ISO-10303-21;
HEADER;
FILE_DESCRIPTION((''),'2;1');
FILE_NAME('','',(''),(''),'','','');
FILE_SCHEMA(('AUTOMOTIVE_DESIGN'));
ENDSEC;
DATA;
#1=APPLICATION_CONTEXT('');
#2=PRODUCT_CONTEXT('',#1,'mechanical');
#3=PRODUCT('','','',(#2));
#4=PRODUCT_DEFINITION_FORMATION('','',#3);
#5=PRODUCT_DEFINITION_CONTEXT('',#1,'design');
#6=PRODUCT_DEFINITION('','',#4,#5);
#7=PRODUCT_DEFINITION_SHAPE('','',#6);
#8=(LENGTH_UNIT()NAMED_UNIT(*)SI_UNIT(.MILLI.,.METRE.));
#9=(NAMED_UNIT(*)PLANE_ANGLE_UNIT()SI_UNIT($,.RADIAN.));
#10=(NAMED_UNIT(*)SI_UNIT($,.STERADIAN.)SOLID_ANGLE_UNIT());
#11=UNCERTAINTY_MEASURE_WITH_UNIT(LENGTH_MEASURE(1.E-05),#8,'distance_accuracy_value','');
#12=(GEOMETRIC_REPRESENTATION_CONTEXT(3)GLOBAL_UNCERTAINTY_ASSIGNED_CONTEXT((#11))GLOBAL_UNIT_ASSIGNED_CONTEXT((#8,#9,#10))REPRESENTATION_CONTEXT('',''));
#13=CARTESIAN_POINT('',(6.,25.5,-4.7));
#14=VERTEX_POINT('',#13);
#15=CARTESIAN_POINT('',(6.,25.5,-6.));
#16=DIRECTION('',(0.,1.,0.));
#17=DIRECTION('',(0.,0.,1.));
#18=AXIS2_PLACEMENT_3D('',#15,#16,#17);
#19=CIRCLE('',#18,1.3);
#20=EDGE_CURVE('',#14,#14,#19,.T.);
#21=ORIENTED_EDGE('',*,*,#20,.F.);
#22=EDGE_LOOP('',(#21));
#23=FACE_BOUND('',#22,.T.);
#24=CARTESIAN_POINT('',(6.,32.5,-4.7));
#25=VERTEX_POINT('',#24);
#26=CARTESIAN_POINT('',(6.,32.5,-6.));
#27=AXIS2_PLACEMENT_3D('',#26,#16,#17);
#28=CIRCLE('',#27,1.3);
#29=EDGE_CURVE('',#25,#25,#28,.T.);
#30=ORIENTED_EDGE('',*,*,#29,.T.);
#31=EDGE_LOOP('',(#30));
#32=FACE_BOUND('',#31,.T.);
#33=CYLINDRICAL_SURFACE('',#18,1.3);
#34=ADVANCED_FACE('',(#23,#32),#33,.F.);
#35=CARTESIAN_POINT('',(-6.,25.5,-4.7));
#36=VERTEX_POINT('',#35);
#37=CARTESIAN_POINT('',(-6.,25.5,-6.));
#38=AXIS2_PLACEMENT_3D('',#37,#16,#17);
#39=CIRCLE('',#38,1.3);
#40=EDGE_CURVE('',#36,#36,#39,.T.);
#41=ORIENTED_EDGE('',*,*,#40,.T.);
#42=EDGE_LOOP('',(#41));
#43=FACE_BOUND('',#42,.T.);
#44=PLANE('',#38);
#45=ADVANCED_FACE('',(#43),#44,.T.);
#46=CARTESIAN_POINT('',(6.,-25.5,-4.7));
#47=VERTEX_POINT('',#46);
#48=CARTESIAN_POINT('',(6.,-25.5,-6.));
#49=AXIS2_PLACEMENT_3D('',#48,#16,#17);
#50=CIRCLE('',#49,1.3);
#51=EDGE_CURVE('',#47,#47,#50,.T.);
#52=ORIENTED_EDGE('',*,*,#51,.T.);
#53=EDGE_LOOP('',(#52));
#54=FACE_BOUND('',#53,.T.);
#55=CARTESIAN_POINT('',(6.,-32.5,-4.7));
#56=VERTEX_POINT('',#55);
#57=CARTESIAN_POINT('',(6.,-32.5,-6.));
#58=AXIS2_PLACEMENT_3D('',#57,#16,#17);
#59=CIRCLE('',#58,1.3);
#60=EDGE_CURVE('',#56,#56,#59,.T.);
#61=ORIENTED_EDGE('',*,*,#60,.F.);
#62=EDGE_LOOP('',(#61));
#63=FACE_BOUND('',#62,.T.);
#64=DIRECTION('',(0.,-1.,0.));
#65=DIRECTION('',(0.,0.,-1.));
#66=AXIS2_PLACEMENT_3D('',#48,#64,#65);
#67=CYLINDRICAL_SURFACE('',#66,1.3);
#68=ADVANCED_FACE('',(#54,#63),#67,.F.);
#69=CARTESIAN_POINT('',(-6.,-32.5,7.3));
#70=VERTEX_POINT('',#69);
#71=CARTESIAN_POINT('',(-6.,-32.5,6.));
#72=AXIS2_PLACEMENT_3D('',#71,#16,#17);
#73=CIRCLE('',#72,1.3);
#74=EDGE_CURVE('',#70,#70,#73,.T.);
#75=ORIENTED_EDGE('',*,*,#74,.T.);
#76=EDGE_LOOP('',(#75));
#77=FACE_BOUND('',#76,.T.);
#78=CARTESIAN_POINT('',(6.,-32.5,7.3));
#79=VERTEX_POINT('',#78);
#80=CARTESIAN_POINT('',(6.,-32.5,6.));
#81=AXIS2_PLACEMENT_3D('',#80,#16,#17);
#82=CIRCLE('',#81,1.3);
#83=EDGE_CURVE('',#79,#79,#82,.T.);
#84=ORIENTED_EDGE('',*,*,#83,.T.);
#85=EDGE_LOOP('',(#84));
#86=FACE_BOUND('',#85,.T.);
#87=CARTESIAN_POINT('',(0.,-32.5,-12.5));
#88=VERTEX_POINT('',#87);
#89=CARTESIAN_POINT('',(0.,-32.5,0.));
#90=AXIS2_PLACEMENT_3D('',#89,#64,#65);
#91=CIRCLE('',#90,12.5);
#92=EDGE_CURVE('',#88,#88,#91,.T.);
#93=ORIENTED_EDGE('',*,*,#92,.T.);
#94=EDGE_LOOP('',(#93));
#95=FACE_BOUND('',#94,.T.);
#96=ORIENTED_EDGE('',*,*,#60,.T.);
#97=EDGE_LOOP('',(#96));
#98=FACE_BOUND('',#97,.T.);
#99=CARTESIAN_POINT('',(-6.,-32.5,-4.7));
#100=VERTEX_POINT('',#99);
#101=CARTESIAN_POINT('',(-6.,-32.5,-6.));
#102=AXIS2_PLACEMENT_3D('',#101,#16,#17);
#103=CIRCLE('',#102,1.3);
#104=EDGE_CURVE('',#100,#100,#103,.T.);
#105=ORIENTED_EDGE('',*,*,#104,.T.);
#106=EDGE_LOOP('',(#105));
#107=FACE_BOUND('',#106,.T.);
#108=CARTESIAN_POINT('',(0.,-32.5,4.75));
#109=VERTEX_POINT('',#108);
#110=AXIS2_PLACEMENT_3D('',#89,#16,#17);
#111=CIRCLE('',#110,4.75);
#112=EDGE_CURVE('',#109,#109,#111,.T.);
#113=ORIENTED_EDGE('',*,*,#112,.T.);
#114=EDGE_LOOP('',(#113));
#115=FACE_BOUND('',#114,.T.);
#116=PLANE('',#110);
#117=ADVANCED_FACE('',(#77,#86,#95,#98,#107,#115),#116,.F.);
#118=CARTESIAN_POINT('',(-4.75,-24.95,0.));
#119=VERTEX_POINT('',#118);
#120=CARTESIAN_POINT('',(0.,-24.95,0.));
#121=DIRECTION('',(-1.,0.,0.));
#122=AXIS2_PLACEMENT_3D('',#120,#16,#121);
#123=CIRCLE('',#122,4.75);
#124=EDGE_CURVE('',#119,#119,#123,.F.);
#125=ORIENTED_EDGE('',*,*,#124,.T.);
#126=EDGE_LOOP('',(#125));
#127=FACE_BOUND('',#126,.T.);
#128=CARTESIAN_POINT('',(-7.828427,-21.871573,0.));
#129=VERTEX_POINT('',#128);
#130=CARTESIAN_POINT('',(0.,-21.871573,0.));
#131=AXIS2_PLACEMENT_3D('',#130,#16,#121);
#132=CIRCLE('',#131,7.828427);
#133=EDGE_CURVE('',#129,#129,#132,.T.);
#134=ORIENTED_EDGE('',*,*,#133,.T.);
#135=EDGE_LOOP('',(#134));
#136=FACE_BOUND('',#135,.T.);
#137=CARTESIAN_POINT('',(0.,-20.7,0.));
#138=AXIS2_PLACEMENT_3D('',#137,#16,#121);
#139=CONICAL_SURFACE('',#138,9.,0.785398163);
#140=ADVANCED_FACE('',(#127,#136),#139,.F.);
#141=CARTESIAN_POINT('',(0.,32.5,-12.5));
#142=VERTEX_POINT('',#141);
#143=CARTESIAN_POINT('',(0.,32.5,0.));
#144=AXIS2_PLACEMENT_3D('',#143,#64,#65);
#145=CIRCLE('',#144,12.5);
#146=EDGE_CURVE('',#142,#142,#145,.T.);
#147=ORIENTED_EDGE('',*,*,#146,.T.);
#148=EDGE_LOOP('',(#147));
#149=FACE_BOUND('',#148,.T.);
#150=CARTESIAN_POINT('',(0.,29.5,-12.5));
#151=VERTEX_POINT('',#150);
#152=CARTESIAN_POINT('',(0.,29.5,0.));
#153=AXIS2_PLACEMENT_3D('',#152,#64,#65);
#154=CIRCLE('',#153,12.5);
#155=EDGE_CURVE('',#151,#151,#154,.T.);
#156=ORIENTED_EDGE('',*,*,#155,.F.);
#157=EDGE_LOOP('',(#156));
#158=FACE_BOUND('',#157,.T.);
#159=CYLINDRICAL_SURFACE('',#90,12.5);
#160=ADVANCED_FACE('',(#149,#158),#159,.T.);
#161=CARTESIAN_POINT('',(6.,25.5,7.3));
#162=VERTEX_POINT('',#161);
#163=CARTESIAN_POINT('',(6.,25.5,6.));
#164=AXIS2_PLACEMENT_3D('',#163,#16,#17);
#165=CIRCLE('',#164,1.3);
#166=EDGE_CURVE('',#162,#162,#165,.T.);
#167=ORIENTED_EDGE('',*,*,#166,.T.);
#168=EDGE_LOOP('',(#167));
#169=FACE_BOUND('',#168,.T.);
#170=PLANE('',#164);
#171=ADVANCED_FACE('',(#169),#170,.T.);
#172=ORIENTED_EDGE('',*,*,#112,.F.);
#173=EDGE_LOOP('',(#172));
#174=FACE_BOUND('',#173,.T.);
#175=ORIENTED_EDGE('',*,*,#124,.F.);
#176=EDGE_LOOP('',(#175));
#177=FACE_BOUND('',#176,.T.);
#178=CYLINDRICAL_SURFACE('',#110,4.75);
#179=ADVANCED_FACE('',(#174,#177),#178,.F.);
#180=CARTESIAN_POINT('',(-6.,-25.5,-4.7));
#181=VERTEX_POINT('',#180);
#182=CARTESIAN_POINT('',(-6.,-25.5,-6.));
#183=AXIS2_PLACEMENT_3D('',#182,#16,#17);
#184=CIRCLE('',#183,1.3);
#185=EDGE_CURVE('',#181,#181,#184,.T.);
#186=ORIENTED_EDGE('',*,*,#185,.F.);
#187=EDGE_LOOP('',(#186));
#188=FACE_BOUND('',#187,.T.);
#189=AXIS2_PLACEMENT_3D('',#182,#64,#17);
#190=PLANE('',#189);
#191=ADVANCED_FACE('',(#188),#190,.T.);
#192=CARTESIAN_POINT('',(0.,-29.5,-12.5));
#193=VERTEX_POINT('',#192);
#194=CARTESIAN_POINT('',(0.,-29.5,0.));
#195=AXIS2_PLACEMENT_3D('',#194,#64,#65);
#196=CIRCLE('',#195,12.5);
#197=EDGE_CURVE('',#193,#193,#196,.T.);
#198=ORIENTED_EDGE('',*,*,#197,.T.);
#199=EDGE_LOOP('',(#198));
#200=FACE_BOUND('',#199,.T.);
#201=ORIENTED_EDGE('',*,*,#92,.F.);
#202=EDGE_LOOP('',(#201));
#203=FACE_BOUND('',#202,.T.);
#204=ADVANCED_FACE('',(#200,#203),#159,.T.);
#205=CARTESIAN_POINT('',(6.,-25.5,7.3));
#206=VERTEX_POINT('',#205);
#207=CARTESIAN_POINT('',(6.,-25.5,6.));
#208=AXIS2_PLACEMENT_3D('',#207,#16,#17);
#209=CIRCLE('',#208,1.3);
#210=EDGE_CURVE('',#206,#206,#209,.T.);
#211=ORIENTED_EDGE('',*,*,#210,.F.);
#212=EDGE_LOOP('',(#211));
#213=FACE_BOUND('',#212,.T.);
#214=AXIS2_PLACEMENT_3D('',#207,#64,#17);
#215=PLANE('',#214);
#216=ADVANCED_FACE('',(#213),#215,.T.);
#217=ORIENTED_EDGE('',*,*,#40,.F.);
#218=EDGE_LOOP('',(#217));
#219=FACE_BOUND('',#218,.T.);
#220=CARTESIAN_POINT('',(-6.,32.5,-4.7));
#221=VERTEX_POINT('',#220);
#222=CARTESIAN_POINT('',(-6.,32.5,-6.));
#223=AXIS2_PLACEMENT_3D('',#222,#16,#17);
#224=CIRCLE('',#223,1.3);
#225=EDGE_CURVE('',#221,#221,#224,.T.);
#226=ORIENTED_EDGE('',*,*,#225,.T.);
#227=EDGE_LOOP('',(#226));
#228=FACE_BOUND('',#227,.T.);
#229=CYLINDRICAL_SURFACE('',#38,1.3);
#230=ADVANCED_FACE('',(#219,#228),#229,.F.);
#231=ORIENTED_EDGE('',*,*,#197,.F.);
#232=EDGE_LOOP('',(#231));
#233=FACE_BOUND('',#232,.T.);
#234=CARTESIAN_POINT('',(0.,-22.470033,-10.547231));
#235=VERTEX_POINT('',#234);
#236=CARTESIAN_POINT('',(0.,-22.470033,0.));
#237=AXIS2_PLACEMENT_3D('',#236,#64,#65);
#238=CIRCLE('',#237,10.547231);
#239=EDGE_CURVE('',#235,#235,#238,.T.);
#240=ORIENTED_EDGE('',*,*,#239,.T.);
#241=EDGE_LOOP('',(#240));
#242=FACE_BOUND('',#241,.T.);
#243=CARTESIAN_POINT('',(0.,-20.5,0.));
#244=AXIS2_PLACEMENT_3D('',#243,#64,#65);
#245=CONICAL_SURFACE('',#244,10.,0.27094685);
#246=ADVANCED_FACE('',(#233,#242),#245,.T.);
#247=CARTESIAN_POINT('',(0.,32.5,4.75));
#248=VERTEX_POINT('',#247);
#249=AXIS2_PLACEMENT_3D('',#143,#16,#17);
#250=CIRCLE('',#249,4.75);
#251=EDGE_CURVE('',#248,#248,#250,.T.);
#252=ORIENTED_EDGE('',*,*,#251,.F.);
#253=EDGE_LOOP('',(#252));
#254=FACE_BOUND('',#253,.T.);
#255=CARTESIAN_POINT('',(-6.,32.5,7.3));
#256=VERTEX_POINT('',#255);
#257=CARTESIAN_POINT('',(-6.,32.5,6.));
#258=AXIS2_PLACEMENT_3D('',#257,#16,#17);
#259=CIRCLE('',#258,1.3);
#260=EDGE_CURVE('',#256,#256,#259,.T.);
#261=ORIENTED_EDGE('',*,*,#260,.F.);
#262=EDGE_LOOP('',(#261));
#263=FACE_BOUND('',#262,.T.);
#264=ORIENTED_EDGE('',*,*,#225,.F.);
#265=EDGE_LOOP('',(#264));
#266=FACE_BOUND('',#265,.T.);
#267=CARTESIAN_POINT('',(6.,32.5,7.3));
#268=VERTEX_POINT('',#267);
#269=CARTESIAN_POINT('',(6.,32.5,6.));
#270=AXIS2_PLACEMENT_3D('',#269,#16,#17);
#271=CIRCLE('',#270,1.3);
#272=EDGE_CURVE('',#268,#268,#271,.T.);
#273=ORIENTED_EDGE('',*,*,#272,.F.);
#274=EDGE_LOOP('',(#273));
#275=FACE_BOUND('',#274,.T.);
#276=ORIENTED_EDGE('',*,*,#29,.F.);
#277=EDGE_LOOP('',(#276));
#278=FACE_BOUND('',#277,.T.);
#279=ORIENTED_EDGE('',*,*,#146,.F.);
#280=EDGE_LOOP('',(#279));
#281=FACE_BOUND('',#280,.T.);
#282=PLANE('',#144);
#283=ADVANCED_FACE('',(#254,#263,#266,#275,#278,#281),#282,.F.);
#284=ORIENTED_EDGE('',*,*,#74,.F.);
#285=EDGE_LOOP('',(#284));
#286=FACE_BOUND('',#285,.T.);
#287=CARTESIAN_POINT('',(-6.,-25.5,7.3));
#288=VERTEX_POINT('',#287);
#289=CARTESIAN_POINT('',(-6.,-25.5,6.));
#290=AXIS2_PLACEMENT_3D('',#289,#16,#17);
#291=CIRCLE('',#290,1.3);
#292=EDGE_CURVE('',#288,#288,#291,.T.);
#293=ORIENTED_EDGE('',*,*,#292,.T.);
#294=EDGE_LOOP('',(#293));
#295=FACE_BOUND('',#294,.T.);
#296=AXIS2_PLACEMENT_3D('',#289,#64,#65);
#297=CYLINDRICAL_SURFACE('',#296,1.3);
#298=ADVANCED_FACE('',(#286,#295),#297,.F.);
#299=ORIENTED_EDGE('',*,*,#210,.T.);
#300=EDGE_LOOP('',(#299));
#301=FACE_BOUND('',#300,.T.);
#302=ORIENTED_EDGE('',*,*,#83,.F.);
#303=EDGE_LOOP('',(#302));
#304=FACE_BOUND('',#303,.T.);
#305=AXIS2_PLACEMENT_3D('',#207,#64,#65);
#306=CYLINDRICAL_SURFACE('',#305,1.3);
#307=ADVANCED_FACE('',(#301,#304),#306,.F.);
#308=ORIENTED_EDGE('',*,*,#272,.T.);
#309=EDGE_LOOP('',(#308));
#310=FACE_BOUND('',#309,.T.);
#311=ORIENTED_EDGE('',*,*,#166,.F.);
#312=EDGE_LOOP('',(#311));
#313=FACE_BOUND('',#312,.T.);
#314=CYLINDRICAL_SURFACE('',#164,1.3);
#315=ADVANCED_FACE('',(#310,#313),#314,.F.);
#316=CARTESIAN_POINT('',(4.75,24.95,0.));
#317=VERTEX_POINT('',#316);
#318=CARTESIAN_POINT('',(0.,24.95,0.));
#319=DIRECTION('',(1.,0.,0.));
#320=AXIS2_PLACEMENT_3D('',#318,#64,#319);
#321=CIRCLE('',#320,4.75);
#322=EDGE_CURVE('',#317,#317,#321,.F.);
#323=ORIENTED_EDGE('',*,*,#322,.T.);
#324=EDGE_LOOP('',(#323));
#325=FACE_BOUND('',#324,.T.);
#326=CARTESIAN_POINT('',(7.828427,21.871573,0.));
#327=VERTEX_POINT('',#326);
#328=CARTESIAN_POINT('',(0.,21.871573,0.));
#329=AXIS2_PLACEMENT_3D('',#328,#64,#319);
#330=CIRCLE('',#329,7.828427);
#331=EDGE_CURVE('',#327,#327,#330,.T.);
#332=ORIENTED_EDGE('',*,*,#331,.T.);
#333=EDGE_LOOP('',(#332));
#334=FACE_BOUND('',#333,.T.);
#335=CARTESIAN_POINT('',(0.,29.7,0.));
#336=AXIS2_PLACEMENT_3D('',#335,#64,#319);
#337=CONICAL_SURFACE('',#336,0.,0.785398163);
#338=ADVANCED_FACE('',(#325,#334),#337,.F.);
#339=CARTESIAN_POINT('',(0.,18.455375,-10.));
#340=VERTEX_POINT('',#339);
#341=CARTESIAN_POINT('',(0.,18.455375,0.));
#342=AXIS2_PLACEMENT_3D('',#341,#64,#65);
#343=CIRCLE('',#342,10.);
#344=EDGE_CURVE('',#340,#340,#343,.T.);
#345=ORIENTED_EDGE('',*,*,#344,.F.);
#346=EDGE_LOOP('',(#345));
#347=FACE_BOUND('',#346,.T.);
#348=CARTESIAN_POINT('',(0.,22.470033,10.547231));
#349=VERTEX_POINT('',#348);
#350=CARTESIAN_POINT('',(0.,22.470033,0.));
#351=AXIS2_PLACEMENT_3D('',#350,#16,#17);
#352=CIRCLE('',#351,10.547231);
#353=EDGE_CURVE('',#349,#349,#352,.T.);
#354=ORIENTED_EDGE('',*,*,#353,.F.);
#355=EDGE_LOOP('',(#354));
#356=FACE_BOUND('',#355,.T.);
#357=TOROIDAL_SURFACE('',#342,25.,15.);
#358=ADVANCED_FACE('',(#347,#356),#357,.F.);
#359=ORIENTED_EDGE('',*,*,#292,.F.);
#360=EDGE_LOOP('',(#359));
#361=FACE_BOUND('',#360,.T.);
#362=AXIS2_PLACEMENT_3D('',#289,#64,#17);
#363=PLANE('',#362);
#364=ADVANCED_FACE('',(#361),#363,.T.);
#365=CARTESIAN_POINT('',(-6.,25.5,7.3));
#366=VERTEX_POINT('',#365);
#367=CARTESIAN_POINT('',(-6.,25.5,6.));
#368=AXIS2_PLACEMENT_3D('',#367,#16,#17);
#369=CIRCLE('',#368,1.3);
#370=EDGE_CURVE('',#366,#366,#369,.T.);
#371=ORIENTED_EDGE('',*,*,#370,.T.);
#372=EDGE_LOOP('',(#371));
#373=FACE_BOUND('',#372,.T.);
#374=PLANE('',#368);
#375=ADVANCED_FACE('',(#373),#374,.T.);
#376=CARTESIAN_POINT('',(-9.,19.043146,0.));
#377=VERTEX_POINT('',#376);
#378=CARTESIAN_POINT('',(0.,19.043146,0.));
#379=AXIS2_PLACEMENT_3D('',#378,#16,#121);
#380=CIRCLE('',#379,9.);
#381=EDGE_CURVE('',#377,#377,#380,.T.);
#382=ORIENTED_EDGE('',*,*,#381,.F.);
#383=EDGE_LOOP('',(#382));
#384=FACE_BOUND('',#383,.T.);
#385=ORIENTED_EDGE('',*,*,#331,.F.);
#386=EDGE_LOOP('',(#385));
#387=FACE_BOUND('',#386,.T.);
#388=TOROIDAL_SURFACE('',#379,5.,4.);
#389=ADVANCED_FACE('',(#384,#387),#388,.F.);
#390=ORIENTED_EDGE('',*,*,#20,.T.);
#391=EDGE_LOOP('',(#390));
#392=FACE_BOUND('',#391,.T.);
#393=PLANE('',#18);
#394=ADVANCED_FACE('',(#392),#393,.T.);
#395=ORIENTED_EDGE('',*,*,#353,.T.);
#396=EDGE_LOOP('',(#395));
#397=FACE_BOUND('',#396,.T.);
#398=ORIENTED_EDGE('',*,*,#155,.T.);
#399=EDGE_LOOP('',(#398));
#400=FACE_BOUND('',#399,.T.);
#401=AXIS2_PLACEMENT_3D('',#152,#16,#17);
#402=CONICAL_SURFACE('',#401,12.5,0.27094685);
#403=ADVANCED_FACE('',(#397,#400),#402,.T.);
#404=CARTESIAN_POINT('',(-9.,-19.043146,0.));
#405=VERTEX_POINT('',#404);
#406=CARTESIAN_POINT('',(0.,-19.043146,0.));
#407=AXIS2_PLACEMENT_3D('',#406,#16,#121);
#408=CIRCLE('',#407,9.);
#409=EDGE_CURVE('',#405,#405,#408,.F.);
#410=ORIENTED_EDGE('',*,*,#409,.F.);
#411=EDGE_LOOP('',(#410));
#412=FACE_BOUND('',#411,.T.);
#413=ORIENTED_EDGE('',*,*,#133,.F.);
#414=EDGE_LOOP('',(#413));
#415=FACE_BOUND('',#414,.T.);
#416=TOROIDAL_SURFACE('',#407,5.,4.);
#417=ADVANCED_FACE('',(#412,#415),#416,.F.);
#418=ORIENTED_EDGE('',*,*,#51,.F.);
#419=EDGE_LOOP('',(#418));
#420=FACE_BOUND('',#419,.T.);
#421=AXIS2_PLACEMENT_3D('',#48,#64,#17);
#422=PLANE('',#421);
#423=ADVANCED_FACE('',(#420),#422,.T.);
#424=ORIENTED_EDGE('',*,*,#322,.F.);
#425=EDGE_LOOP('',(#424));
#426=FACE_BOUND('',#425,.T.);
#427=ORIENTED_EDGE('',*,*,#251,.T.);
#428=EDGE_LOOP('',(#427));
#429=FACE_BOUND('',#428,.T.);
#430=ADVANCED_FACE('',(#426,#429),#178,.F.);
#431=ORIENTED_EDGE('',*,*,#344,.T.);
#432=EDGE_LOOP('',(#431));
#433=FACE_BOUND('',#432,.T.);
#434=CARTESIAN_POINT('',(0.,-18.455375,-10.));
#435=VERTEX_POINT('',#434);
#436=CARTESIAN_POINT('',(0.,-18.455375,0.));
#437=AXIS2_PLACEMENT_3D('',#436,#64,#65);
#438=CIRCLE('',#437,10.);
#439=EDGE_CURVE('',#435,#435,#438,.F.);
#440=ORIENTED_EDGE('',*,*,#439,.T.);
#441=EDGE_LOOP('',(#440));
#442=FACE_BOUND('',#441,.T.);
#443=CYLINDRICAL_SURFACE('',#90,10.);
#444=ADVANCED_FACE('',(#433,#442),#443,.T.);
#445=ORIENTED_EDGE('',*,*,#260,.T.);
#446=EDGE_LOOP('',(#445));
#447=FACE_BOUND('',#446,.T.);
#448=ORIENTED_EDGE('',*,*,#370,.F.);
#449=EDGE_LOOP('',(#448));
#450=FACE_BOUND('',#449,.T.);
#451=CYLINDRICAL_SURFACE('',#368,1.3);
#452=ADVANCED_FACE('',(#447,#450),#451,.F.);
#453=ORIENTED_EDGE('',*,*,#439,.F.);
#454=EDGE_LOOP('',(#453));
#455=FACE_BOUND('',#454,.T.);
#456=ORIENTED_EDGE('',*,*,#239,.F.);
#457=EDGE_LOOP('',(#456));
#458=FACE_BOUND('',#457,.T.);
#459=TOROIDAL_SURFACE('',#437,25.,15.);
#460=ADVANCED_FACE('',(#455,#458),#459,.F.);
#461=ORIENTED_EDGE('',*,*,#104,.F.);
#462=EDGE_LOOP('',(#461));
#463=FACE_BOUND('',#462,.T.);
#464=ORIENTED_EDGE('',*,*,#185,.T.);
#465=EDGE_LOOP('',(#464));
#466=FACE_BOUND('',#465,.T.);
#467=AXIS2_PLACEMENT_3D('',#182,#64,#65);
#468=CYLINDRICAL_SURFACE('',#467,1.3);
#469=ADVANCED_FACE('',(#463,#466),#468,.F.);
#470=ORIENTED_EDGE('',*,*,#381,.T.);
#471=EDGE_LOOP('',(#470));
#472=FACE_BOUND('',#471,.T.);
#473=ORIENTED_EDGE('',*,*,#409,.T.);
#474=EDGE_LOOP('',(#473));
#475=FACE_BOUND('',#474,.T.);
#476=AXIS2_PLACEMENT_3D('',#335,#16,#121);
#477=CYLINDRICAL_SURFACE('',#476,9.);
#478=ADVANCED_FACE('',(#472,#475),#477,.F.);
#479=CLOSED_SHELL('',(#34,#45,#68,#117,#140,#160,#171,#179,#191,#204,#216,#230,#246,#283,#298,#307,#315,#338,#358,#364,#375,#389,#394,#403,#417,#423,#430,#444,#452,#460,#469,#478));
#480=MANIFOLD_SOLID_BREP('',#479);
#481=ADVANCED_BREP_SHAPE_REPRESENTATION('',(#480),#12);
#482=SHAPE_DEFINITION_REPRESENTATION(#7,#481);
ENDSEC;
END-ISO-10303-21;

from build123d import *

# Parameters (mm, degrees)
SKETCH2_R          = 1.3
CUT_EXTRUDE1_DEPTH = 7
SKETCH5_R          = 4.75
CUT_EXTRUDE2_DEPTH = 68.360967927
FILLET1_R          = 15
FILLET2_R          = 4


with BuildPart() as part:
    # Sketch1 → Revolve1 (revolve)
    with BuildSketch(Plane.XY, mode=Mode.PRIVATE) as revolve1_sk:
        Polygon((0, -32.5), (0, 32.5), (-12.5, 32.5), (-12.5, 29.5), (-10, 20.5), (-10, -20.5), (-12.5, -29.5), (-12.5, -32.5), align=None)
    revolve(revolve1_sk.sketch.rotate(Axis((0, -32.5, 0), (0, 1, 0)), 270), axis=Axis((0, -32.5, 0), (0, 1, 0)))

    # Sketch2 → Cut-Extrude1 (cut)
    with BuildSketch(Plane(origin=(0, 32.5, 0), x_dir=(1, 0, 0), z_dir=(0, 1, 0))):
        with Locations(Location((-6, 6, 0), (0, 0, 270))):
            Circle(SKETCH2_R)
        with Locations(Location((6, 6, 0), (0, 0, 270))):
            Circle(SKETCH2_R)
        with Locations(Location((-6, -6, 0), (0, 0, 270))):
            Circle(SKETCH2_R)
        with Locations(Location((6, -6, 0), (0, 0, 270))):
            Circle(SKETCH2_R)
    cut_extrude1 = extrude(amount=-CUT_EXTRUDE1_DEPTH, mode=Mode.SUBTRACT)

    # Mirror1: Cut-Extrude1 across plane
    add(cut_extrude1.mirror(Plane.ZX), mode=Mode.SUBTRACT)

    # Sketch4 → Cut-Revolve1 (revolve, cut)
    with BuildSketch(Plane.XY):
        Polygon((0, 29.7), (-9, 20.7), (-9, -20.7), (0, -29.7), align=None)
    revolve(axis=Axis((0, 29.7, 0), (0, -1, 0)), mode=Mode.SUBTRACT)

    # Sketch5 → Cut-Extrude2 (cut, through all)
    with BuildSketch(Plane(origin=(0, 32.5, 0), x_dir=(1, 0, 0), z_dir=(0, 1, 0))):
        with Locations(Location((0, 0, 0), (0, 0, 270))):
            Circle(SKETCH5_R)
    extrude(amount=-CUT_EXTRUDE2_DEPTH, mode=Mode.SUBTRACT)

    # Fillet1
    fillet1_edges = [part.edges().sort_by_distance(p)[0] for p in [
        (0, -20.5, 10),
        (0, 20.5, 10),
    ]]
    fillet(fillet1_edges, radius=FILLET1_R)

    # Fillet2
    fillet2_edges = [part.edges().sort_by_distance(p)[0] for p in [
        (9, -20.7, 0),
        (9, 20.7, 0),
    ]]
    fillet(fillet2_edges, radius=FILLET2_R)


solid = part.part
